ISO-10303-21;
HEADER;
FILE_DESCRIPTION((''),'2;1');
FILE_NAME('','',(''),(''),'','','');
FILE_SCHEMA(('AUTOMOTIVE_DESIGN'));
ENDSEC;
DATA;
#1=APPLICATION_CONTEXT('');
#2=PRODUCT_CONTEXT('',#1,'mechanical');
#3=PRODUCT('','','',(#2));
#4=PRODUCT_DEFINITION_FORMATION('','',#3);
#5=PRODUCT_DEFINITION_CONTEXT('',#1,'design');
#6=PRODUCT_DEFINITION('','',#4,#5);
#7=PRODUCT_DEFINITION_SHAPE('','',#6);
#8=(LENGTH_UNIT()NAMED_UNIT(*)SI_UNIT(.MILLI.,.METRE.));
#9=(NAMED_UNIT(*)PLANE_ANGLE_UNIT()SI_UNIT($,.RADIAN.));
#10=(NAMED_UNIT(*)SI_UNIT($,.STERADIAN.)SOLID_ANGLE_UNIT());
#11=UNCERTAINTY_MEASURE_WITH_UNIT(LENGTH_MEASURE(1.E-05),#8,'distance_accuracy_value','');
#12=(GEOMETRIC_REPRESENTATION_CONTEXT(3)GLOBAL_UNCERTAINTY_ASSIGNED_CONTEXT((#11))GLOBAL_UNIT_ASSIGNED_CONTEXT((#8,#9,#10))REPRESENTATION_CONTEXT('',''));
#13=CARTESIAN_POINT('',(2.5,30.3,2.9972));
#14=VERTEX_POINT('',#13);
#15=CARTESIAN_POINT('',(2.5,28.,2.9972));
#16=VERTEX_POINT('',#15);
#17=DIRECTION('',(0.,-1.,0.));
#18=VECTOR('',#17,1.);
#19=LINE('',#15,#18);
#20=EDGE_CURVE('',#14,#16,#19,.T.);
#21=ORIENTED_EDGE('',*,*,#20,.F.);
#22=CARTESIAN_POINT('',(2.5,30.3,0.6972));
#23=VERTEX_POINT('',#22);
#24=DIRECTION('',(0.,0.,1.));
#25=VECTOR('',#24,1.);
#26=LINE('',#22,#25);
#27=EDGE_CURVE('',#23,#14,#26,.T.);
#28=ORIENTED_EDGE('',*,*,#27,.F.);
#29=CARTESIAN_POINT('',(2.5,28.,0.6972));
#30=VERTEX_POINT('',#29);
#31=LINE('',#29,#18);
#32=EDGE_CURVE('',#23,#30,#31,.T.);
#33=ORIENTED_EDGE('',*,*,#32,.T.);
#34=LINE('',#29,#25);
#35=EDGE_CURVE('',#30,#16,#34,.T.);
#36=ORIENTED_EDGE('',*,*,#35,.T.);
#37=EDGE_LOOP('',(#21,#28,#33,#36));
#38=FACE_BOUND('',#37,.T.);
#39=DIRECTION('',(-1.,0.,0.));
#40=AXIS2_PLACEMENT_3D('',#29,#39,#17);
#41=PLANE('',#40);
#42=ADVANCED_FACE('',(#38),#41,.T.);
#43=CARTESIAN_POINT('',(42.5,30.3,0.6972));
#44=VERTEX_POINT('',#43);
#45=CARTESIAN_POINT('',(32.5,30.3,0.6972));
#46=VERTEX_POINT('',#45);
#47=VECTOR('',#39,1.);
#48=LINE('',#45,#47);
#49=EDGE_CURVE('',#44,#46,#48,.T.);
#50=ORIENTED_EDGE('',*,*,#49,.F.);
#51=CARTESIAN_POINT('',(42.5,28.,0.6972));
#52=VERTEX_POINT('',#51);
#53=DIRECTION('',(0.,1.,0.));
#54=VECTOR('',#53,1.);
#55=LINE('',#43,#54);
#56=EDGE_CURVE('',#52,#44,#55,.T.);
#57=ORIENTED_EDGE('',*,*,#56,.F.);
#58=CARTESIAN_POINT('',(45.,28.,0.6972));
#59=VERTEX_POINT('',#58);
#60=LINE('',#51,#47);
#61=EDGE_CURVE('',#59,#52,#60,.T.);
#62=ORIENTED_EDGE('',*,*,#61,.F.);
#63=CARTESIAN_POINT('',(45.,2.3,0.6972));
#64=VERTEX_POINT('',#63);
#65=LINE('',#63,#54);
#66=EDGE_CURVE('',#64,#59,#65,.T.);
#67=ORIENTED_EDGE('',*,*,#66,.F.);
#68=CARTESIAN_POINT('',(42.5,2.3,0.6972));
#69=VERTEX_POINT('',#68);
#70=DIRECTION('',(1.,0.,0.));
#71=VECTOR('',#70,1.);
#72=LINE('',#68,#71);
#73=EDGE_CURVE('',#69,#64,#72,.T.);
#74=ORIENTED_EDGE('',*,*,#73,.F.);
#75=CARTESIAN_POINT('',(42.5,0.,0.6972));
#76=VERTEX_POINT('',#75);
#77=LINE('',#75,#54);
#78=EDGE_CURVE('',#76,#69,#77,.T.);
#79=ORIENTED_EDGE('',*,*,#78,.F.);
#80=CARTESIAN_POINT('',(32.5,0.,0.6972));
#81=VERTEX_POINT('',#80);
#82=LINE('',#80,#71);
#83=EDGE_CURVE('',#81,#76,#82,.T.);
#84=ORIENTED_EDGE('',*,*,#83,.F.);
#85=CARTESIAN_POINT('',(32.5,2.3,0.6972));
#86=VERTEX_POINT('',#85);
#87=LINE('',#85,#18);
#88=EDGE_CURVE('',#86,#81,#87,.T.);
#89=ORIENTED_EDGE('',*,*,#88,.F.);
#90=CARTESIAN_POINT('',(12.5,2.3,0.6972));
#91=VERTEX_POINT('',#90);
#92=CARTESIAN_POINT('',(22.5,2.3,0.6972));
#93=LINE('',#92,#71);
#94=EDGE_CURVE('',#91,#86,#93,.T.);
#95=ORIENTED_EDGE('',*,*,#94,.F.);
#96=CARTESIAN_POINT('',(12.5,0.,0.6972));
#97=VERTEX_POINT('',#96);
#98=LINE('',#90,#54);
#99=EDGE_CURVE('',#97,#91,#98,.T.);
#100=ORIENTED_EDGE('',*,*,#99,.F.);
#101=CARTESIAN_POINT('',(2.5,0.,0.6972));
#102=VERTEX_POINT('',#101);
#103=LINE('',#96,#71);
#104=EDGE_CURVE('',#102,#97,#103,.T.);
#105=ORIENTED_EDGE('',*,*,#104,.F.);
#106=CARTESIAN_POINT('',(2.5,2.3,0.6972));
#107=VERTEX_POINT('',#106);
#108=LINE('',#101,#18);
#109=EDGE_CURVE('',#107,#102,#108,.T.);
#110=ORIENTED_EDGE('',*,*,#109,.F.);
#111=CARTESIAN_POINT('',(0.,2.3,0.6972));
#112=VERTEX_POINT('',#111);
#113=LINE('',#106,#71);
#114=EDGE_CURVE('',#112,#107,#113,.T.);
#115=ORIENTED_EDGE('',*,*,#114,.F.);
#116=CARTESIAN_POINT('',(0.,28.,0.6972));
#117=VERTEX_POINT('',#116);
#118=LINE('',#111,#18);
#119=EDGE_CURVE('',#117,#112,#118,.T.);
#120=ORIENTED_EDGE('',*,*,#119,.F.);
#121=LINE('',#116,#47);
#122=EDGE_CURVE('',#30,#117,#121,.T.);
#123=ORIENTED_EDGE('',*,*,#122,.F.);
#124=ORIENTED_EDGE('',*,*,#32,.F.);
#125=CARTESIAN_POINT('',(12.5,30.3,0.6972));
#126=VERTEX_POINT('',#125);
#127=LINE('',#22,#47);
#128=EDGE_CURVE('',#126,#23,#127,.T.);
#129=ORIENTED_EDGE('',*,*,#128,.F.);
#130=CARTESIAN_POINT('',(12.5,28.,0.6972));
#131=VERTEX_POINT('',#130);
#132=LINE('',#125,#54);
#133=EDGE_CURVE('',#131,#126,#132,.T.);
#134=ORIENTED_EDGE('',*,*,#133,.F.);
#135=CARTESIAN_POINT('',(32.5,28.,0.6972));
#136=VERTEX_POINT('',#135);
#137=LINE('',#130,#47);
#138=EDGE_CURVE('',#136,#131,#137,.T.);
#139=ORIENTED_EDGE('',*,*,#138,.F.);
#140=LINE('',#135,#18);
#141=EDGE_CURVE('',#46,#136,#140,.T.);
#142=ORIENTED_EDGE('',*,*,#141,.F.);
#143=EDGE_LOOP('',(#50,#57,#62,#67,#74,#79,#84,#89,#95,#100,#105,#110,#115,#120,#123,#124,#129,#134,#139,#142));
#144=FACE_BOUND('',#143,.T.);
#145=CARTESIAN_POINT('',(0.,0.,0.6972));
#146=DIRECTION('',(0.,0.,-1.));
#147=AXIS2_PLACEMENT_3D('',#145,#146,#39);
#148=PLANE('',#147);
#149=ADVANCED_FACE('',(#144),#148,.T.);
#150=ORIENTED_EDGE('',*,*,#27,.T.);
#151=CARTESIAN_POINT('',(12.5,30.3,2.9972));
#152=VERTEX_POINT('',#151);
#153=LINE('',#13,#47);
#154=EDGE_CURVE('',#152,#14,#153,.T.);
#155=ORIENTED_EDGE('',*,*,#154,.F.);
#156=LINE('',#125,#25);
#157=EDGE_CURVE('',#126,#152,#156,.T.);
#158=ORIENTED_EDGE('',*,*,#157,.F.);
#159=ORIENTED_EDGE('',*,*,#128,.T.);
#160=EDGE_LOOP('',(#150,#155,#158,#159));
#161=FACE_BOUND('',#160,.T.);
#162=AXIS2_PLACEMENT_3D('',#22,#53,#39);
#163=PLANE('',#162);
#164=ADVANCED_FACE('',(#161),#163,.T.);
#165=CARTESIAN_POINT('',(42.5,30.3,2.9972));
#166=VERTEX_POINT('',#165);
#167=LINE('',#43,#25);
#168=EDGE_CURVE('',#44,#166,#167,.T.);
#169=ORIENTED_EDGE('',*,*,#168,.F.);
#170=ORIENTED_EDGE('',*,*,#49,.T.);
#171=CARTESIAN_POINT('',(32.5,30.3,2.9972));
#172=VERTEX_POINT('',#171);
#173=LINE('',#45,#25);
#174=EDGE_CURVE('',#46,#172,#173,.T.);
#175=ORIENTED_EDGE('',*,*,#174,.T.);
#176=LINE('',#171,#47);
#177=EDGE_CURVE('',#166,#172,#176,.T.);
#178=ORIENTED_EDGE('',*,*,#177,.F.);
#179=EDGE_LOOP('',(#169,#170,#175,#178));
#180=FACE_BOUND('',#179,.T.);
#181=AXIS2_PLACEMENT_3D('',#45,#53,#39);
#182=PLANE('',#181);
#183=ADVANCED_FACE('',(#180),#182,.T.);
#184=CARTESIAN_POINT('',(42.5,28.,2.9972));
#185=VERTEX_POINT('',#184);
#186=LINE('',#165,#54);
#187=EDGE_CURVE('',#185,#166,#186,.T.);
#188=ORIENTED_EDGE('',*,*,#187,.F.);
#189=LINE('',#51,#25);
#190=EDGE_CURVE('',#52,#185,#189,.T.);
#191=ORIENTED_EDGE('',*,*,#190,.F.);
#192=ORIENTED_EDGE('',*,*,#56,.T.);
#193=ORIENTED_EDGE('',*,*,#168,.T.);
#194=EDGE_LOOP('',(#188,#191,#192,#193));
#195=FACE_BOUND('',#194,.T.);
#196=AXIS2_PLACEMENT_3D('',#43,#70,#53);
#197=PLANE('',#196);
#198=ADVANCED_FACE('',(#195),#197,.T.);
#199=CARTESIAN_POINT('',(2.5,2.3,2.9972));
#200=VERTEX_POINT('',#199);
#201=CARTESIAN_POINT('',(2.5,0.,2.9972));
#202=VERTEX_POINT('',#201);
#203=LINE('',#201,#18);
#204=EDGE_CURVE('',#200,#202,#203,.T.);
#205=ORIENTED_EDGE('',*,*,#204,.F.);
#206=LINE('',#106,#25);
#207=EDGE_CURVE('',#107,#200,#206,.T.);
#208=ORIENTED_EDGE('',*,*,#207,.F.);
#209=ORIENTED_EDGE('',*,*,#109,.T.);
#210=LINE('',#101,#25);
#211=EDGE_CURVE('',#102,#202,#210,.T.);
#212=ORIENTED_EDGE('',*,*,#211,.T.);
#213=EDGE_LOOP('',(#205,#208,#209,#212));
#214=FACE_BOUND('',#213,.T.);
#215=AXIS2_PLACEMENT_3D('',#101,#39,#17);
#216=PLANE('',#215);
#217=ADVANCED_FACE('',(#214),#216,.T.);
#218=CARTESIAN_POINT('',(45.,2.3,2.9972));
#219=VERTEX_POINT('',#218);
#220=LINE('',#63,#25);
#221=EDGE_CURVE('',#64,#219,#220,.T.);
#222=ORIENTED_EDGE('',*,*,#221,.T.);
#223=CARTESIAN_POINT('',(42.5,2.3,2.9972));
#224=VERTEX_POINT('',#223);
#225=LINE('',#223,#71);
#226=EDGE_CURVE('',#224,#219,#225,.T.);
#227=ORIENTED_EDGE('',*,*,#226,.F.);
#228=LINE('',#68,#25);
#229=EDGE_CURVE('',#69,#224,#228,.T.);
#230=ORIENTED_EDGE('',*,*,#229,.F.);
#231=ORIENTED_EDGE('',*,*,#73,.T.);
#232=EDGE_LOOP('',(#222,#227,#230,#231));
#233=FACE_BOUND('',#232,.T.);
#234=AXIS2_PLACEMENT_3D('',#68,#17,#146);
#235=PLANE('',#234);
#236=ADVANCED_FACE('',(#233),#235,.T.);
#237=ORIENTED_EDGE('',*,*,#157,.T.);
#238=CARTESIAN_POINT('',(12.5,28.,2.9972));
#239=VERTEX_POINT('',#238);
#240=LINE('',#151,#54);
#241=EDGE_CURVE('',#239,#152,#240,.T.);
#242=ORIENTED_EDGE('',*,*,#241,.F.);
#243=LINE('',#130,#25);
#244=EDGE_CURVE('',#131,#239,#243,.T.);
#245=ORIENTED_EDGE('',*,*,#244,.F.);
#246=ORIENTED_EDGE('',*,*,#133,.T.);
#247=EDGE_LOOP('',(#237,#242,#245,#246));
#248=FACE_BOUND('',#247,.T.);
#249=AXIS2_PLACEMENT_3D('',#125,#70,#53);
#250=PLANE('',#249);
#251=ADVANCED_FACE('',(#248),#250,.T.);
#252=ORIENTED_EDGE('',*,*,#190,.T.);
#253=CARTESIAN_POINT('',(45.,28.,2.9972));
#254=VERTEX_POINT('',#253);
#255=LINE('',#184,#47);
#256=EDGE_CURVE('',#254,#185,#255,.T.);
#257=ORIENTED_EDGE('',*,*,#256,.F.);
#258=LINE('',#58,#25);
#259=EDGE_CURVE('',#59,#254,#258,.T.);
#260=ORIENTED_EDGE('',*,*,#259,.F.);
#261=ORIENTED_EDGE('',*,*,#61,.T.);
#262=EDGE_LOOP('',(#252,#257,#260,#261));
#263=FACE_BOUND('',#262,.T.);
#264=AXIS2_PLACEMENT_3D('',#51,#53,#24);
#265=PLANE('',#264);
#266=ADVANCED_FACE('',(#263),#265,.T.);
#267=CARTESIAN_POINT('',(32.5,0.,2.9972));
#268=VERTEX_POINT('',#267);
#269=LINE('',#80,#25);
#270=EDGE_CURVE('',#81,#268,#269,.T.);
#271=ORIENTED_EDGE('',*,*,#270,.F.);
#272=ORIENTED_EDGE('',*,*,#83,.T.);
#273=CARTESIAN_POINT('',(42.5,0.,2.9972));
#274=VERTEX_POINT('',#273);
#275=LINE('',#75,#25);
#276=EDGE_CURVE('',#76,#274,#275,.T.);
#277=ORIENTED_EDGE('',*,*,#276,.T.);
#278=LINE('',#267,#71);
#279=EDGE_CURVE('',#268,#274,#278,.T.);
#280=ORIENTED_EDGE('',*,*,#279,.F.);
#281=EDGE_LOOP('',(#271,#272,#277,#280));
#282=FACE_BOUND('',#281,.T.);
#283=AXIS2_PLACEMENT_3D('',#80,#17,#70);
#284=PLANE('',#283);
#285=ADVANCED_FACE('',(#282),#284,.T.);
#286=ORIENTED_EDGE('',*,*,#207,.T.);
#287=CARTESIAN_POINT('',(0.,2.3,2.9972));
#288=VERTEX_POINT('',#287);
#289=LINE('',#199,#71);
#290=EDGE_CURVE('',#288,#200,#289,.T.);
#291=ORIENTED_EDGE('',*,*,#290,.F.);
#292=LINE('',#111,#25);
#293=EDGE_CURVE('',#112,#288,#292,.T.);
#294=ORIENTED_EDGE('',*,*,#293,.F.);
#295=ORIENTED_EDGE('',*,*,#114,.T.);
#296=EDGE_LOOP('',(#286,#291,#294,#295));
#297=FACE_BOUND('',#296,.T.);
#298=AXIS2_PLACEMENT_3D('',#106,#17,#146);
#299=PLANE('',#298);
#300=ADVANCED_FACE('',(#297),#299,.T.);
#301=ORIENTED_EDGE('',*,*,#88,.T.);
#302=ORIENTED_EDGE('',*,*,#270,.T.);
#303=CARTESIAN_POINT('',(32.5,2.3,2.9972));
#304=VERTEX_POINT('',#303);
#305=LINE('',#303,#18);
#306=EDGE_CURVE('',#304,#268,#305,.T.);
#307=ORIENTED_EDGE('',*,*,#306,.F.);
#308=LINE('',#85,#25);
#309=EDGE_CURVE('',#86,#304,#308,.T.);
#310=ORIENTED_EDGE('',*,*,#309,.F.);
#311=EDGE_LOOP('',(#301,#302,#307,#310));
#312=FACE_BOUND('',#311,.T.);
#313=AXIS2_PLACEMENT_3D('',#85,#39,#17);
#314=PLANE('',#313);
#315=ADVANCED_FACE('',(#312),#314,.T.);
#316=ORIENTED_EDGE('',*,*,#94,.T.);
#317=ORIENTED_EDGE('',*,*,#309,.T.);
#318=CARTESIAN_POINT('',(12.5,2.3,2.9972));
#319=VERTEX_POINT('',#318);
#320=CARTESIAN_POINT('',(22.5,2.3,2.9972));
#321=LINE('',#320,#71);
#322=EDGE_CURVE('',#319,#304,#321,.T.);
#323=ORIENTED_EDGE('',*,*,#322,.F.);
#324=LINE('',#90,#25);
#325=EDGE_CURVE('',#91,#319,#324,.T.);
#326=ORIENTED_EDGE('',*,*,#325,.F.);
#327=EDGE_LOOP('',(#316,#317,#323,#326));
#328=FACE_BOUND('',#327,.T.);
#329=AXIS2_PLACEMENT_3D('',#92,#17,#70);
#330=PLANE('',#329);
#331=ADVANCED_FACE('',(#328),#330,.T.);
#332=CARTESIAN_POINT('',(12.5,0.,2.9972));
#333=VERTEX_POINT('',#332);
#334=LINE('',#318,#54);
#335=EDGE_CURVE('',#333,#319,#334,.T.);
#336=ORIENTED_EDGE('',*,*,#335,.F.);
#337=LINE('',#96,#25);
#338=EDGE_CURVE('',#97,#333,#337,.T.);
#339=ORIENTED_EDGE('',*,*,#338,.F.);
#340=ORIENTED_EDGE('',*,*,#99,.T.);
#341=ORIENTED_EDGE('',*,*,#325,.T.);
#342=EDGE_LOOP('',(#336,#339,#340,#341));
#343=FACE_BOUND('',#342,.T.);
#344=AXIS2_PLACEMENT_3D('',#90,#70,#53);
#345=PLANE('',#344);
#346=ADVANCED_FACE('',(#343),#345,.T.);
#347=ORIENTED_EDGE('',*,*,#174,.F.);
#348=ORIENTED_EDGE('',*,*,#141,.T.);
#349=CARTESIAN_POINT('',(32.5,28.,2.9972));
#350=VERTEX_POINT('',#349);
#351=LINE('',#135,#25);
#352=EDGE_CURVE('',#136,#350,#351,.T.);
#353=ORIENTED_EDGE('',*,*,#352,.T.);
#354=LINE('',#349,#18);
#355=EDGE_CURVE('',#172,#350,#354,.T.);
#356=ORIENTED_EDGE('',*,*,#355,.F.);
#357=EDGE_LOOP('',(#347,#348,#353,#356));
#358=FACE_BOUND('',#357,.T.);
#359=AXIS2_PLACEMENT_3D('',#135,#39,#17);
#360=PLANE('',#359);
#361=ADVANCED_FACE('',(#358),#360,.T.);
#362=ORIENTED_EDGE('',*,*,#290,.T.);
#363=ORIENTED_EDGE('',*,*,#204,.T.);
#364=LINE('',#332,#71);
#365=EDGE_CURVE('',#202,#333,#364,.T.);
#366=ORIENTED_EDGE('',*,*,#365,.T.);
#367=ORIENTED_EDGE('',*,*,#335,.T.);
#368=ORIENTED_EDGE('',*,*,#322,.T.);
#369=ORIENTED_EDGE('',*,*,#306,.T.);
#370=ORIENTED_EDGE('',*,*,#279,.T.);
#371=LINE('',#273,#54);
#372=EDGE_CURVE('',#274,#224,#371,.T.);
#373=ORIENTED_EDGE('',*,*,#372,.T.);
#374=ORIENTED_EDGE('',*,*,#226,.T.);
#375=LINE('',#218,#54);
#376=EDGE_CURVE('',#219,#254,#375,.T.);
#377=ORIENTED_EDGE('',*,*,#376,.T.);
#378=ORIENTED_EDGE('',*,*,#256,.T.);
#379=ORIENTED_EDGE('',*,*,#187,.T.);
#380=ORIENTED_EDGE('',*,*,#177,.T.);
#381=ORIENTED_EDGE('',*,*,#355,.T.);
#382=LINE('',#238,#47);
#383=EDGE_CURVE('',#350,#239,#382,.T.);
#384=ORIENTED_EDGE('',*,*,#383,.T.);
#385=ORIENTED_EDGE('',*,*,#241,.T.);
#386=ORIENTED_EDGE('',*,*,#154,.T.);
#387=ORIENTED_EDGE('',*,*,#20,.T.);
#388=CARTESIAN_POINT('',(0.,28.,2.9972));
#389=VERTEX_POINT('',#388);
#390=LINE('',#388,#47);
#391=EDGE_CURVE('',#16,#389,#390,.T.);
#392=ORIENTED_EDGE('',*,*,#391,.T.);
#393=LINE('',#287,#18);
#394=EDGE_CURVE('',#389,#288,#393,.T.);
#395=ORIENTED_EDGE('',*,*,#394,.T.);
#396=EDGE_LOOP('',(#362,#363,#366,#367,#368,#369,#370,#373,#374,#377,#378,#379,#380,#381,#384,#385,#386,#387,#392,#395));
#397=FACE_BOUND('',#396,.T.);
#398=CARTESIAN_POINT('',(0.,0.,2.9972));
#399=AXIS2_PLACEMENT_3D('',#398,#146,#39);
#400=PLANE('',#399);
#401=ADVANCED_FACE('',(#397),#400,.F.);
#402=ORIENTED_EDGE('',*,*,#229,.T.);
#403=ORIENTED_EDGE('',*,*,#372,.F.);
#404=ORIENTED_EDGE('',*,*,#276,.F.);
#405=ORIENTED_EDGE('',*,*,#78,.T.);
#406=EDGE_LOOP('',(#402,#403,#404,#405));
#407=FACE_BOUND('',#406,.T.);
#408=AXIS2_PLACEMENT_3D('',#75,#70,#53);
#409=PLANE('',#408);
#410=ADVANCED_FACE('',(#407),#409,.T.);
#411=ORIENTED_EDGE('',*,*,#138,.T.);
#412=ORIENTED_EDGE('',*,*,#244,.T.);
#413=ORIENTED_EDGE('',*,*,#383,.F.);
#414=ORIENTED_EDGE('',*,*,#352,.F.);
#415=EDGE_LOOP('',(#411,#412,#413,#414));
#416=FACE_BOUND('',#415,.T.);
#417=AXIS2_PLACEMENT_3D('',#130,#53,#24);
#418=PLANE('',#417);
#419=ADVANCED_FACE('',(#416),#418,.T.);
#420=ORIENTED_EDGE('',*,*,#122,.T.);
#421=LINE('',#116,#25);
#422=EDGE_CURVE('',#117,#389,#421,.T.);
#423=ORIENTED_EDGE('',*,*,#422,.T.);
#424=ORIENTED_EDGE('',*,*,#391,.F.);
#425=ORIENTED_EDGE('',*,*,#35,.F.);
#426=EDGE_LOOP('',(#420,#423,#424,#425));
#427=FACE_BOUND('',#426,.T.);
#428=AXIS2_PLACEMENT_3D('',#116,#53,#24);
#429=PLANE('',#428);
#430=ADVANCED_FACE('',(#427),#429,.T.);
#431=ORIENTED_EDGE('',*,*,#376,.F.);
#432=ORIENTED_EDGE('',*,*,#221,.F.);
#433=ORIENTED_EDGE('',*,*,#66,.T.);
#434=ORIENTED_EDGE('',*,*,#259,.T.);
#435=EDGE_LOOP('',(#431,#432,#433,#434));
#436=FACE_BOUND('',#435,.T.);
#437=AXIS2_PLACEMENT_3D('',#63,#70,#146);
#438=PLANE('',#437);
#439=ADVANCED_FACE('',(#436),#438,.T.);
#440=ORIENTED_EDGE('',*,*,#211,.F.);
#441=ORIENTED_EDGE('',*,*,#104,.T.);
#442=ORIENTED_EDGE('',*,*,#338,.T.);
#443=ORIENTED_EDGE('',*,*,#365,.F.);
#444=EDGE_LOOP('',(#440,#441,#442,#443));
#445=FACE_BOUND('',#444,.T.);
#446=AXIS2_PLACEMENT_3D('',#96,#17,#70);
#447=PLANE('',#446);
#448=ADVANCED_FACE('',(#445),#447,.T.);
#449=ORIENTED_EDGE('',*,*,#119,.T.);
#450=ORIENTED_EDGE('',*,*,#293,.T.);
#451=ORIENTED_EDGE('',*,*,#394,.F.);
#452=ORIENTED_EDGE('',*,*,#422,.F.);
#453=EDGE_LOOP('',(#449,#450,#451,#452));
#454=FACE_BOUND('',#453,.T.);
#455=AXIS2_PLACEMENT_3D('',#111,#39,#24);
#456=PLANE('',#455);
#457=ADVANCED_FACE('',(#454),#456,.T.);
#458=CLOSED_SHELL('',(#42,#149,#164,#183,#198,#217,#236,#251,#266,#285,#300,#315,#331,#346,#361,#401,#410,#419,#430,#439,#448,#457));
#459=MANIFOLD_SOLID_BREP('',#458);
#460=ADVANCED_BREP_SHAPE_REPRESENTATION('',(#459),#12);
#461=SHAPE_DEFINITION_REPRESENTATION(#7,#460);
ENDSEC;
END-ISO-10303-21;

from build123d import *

# Parameters (mm, degrees)
BOSS_EXTRUDE1_DEPTH = 2.3


with BuildPart() as part:
    # Sketch1 → Boss-Extrude1 (new body)
    with BuildSketch(Plane.XY.offset(2.9972)):
        Polygon((0, 2.3), (0, 28), (2.5, 28), (2.5, 30.3), (12.5, 30.3), (12.5, 28), (32.5, 28), (32.5, 30.3), (42.5, 30.3), (42.5, 28), (45, 28), (45, 2.3), (42.5, 2.3), (42.5, 0), (32.5, 0), (32.5, 2.3), (22.5, 2.3), (12.5, 2.3), (12.5, 0), (2.5, 0), (2.5, 2.3), align=None)
    extrude(amount=-BOSS_EXTRUDE1_DEPTH)


solid = part.part
